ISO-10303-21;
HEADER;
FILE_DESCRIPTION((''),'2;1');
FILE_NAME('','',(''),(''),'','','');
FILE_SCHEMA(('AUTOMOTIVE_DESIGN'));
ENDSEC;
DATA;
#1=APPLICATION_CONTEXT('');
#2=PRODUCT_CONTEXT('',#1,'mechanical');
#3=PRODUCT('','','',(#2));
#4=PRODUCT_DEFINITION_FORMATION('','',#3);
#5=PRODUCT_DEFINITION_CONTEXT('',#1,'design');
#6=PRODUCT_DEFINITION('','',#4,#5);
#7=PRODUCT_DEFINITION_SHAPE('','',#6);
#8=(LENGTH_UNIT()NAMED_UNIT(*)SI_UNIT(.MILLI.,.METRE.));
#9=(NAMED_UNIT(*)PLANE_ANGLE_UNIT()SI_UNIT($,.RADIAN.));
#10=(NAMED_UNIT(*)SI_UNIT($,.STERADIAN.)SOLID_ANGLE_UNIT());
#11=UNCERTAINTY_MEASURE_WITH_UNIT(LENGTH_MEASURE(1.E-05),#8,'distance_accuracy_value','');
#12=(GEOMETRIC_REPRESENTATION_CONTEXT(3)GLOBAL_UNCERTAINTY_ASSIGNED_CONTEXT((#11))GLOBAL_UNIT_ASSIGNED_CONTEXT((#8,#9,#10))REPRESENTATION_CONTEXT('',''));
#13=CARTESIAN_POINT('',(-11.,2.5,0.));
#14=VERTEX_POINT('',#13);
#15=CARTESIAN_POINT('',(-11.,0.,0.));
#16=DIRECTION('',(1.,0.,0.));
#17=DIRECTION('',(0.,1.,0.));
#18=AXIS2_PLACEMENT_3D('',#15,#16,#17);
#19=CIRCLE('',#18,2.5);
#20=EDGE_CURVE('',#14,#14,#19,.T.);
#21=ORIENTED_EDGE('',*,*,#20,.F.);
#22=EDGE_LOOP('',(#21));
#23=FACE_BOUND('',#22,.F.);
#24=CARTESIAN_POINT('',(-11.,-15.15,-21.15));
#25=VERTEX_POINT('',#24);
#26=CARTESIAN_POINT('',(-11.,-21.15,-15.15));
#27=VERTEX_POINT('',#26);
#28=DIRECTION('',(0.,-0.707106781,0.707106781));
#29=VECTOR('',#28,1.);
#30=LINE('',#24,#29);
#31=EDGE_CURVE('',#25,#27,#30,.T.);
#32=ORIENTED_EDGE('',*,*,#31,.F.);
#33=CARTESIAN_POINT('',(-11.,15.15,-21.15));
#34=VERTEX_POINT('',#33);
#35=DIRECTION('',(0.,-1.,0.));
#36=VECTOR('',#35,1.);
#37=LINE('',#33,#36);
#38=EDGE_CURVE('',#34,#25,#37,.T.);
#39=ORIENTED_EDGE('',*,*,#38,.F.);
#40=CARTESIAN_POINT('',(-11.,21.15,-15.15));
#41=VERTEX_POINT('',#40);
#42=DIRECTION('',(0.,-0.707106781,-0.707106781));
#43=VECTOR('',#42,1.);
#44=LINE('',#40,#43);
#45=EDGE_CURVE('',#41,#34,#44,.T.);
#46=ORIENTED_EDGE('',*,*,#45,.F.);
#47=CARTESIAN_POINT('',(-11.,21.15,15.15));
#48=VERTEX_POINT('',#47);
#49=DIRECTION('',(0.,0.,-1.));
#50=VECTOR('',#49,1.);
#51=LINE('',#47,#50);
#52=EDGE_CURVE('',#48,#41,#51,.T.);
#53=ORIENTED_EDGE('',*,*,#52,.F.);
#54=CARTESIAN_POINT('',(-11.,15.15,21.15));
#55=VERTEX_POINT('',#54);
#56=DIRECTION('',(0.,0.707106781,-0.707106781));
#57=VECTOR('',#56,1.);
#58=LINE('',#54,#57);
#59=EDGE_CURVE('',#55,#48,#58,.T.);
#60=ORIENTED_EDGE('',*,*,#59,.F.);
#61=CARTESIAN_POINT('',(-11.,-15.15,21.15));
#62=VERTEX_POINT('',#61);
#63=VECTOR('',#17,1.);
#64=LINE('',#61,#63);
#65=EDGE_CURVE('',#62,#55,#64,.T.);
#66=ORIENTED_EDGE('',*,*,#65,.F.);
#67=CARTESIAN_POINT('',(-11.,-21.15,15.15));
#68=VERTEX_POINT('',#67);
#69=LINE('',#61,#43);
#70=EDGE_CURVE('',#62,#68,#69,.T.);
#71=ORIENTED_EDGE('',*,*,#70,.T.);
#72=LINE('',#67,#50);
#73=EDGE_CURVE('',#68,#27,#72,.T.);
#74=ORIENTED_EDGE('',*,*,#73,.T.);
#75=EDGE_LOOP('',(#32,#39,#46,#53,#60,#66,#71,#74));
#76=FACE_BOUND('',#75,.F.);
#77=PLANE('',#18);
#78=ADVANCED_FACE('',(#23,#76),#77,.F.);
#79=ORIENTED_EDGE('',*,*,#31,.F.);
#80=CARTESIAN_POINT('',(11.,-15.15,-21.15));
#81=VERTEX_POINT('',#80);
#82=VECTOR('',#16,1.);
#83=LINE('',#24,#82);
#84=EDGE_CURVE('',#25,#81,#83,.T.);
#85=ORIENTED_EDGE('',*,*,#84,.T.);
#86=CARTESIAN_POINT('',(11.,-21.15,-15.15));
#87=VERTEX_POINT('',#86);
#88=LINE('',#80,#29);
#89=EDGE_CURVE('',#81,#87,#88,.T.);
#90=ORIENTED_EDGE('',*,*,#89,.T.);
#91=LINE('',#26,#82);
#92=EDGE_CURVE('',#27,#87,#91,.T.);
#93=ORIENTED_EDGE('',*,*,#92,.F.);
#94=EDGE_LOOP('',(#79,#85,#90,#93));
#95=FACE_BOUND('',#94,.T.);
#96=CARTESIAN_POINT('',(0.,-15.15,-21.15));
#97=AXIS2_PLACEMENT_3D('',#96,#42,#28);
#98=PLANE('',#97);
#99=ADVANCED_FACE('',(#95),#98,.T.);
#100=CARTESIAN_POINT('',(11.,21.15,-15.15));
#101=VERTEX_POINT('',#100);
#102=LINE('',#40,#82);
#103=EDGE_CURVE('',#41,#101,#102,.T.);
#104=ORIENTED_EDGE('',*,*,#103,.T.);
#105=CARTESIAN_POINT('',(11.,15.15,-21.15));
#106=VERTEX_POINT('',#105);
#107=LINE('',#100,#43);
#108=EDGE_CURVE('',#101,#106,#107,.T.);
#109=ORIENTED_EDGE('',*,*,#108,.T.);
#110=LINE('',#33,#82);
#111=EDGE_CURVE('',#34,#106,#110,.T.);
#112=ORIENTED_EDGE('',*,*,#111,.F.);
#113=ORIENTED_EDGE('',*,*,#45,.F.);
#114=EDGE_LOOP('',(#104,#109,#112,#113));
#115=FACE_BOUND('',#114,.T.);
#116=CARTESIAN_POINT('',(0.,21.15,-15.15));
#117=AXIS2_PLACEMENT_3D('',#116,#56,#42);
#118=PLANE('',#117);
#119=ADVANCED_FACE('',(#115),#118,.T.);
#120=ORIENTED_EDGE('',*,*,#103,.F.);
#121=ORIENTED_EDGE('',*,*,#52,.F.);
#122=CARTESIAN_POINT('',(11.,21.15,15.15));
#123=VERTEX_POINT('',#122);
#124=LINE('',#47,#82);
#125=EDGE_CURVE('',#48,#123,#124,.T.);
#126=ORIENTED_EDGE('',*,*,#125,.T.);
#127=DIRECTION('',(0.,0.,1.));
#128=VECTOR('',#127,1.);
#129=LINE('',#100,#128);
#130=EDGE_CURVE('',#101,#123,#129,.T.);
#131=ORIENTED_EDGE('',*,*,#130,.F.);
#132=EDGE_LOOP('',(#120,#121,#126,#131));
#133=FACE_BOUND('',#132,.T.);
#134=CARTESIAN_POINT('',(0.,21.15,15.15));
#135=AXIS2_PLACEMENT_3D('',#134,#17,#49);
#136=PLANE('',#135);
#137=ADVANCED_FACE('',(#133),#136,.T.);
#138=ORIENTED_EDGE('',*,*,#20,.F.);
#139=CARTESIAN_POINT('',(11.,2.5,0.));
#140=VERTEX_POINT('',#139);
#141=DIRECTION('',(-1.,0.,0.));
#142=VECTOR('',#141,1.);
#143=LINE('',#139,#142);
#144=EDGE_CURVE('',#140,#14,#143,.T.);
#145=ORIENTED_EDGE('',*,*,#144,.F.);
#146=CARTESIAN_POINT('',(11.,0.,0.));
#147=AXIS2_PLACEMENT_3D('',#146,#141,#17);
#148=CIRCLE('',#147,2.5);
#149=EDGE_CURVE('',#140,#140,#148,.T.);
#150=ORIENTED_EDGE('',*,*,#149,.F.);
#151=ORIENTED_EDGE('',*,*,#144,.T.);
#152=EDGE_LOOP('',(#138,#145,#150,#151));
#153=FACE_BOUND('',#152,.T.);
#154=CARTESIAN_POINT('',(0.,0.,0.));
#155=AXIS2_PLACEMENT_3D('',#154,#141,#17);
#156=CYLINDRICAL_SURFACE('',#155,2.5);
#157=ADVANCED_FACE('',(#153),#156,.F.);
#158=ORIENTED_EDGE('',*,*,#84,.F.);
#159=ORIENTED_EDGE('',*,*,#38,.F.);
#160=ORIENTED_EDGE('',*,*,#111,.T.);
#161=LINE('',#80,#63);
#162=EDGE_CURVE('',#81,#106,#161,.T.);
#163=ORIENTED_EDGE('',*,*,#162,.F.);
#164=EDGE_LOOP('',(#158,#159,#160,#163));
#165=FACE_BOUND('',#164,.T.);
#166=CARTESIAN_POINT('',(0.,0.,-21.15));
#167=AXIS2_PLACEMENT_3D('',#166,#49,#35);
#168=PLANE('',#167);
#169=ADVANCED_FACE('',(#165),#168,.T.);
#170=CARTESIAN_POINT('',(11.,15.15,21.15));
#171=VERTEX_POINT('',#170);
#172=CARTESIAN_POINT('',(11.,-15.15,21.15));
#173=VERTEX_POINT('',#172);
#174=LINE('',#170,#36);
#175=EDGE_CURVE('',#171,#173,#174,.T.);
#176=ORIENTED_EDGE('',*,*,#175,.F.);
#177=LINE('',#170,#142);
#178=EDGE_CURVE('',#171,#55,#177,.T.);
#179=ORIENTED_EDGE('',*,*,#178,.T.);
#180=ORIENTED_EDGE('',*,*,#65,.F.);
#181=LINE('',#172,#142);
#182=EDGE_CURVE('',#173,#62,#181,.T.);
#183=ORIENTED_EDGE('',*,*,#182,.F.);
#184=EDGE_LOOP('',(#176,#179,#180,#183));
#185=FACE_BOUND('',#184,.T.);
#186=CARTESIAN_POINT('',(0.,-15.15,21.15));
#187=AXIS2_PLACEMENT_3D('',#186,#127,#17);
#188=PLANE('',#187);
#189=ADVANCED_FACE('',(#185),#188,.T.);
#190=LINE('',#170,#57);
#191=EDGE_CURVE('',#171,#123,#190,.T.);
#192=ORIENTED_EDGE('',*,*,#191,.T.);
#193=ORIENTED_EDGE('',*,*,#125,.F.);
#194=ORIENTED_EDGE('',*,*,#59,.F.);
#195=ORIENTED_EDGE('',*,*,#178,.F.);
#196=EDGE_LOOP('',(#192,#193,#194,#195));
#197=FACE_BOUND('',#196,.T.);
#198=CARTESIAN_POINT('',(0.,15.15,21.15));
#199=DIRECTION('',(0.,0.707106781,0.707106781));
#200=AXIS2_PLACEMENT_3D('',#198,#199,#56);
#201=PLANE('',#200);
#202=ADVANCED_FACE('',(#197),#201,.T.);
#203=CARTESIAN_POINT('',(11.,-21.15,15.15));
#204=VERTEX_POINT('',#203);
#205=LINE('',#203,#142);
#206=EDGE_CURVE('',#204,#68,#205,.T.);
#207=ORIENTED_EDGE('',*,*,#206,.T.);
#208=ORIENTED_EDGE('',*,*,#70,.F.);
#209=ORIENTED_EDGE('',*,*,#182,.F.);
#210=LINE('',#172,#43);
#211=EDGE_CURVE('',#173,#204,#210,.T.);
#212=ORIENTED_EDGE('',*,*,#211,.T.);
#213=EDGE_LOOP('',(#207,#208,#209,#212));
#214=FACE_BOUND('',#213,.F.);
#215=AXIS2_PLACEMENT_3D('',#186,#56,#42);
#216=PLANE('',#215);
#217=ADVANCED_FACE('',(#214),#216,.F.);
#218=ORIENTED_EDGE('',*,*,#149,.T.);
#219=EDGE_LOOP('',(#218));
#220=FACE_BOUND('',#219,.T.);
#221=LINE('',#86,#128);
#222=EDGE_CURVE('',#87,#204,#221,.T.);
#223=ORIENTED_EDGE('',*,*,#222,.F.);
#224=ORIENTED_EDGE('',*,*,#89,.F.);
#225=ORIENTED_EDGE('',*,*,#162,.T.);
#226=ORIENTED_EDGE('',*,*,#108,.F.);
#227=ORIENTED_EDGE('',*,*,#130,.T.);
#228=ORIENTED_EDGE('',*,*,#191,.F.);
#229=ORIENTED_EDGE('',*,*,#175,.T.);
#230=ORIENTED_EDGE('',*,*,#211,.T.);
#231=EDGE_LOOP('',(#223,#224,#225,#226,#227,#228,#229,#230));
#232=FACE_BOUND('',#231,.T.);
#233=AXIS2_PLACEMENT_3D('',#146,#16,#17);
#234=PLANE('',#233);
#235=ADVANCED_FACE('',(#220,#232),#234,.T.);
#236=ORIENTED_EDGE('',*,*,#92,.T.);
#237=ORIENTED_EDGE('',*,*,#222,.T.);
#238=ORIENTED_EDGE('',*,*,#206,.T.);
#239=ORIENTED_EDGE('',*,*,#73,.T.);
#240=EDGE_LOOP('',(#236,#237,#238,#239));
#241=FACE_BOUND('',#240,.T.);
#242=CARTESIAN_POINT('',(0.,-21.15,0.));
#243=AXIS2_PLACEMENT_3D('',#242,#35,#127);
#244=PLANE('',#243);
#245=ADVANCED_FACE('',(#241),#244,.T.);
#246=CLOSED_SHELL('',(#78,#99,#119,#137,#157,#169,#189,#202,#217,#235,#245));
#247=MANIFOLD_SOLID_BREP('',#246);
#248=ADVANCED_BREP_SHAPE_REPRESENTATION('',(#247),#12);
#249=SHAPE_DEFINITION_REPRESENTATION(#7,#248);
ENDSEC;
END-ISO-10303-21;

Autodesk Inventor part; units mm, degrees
ref_plane "YZ Plane" through (0, 0, 0) normal (1, 0, 0) x (0, 1, 0)
ref_plane "XZ Plane" through (0, 0, 0) normal (0, 1, 0) x (-1, 0, 0)
ref_plane "XY Plane" through (0, 0, 0) normal (0, 0, 1) x (1, 0, 0)
sketch "Skizze1" plane through (0, 0, 0) normal (1, 0, 0) x (0, 1, 0)
  line L0 (-29.61, 0) -> (29.61, 0) projected
  line L1 (0, -29.61) -> (0, 29.61) projected
  line L2 (-15.15, 21.15) -> (15.15, 21.15)
  line L3 (21.15, 15.15) -> (21.15, -15.15)
  line L4 (15.15, -21.15) -> (-15.15, -21.15)
  line L5 (-21.15, -15.15) -> (-21.15, 15.15)
  line L6 (15.15, 21.15) -> (21.15, 15.15)
  line L7 (21.15, -15.15) -> (15.15, -21.15)
  line L8 (-15.15, -21.15) -> (-21.15, -15.15)
  line L9 (-15.15, 21.15) -> (-21.15, 15.15)
  circle A0 centre (0, 0) radius 2.5
  point P0 (-21.15, 21.15)
  point P1 (21.15, -21.15)
  point P2 (21.15, 21.15)
  point P3 (-21.15, -21.15)
  dimension "d0" = 42.3
  dimension "d1" = 42.3
  dimension "d2" = 6
  dimension "d3" = 6
  dimension "d4" = 6
  dimension "d5" = 6
  dimension "d6" = 6
  dimension "d7" = 6
  dimension "d8" = 6
  dimension "d9" = 6
  dimension "d10" = 5
extrude "Extrusion1" add sketch "Skizze1" along normal mid plane 22 contours L5 L9 L2 L1 A0 L0 | L0 A0 L1 L4 L8 L5 | L1 L2 L6 L3 L0 A0 | A0 L0 L3 L7 L4 L1
equation "\"d3\" = d2"
equation "\"d4\" = d2"
equation "\"d5\" = d4"
equation "\"d6\" = d2"
equation "\"d7\" = d6"
equation "\"d8\" = d2"
equation "\"d9\" = d8"
properties part number "Mittelteil" material "Stahl"
